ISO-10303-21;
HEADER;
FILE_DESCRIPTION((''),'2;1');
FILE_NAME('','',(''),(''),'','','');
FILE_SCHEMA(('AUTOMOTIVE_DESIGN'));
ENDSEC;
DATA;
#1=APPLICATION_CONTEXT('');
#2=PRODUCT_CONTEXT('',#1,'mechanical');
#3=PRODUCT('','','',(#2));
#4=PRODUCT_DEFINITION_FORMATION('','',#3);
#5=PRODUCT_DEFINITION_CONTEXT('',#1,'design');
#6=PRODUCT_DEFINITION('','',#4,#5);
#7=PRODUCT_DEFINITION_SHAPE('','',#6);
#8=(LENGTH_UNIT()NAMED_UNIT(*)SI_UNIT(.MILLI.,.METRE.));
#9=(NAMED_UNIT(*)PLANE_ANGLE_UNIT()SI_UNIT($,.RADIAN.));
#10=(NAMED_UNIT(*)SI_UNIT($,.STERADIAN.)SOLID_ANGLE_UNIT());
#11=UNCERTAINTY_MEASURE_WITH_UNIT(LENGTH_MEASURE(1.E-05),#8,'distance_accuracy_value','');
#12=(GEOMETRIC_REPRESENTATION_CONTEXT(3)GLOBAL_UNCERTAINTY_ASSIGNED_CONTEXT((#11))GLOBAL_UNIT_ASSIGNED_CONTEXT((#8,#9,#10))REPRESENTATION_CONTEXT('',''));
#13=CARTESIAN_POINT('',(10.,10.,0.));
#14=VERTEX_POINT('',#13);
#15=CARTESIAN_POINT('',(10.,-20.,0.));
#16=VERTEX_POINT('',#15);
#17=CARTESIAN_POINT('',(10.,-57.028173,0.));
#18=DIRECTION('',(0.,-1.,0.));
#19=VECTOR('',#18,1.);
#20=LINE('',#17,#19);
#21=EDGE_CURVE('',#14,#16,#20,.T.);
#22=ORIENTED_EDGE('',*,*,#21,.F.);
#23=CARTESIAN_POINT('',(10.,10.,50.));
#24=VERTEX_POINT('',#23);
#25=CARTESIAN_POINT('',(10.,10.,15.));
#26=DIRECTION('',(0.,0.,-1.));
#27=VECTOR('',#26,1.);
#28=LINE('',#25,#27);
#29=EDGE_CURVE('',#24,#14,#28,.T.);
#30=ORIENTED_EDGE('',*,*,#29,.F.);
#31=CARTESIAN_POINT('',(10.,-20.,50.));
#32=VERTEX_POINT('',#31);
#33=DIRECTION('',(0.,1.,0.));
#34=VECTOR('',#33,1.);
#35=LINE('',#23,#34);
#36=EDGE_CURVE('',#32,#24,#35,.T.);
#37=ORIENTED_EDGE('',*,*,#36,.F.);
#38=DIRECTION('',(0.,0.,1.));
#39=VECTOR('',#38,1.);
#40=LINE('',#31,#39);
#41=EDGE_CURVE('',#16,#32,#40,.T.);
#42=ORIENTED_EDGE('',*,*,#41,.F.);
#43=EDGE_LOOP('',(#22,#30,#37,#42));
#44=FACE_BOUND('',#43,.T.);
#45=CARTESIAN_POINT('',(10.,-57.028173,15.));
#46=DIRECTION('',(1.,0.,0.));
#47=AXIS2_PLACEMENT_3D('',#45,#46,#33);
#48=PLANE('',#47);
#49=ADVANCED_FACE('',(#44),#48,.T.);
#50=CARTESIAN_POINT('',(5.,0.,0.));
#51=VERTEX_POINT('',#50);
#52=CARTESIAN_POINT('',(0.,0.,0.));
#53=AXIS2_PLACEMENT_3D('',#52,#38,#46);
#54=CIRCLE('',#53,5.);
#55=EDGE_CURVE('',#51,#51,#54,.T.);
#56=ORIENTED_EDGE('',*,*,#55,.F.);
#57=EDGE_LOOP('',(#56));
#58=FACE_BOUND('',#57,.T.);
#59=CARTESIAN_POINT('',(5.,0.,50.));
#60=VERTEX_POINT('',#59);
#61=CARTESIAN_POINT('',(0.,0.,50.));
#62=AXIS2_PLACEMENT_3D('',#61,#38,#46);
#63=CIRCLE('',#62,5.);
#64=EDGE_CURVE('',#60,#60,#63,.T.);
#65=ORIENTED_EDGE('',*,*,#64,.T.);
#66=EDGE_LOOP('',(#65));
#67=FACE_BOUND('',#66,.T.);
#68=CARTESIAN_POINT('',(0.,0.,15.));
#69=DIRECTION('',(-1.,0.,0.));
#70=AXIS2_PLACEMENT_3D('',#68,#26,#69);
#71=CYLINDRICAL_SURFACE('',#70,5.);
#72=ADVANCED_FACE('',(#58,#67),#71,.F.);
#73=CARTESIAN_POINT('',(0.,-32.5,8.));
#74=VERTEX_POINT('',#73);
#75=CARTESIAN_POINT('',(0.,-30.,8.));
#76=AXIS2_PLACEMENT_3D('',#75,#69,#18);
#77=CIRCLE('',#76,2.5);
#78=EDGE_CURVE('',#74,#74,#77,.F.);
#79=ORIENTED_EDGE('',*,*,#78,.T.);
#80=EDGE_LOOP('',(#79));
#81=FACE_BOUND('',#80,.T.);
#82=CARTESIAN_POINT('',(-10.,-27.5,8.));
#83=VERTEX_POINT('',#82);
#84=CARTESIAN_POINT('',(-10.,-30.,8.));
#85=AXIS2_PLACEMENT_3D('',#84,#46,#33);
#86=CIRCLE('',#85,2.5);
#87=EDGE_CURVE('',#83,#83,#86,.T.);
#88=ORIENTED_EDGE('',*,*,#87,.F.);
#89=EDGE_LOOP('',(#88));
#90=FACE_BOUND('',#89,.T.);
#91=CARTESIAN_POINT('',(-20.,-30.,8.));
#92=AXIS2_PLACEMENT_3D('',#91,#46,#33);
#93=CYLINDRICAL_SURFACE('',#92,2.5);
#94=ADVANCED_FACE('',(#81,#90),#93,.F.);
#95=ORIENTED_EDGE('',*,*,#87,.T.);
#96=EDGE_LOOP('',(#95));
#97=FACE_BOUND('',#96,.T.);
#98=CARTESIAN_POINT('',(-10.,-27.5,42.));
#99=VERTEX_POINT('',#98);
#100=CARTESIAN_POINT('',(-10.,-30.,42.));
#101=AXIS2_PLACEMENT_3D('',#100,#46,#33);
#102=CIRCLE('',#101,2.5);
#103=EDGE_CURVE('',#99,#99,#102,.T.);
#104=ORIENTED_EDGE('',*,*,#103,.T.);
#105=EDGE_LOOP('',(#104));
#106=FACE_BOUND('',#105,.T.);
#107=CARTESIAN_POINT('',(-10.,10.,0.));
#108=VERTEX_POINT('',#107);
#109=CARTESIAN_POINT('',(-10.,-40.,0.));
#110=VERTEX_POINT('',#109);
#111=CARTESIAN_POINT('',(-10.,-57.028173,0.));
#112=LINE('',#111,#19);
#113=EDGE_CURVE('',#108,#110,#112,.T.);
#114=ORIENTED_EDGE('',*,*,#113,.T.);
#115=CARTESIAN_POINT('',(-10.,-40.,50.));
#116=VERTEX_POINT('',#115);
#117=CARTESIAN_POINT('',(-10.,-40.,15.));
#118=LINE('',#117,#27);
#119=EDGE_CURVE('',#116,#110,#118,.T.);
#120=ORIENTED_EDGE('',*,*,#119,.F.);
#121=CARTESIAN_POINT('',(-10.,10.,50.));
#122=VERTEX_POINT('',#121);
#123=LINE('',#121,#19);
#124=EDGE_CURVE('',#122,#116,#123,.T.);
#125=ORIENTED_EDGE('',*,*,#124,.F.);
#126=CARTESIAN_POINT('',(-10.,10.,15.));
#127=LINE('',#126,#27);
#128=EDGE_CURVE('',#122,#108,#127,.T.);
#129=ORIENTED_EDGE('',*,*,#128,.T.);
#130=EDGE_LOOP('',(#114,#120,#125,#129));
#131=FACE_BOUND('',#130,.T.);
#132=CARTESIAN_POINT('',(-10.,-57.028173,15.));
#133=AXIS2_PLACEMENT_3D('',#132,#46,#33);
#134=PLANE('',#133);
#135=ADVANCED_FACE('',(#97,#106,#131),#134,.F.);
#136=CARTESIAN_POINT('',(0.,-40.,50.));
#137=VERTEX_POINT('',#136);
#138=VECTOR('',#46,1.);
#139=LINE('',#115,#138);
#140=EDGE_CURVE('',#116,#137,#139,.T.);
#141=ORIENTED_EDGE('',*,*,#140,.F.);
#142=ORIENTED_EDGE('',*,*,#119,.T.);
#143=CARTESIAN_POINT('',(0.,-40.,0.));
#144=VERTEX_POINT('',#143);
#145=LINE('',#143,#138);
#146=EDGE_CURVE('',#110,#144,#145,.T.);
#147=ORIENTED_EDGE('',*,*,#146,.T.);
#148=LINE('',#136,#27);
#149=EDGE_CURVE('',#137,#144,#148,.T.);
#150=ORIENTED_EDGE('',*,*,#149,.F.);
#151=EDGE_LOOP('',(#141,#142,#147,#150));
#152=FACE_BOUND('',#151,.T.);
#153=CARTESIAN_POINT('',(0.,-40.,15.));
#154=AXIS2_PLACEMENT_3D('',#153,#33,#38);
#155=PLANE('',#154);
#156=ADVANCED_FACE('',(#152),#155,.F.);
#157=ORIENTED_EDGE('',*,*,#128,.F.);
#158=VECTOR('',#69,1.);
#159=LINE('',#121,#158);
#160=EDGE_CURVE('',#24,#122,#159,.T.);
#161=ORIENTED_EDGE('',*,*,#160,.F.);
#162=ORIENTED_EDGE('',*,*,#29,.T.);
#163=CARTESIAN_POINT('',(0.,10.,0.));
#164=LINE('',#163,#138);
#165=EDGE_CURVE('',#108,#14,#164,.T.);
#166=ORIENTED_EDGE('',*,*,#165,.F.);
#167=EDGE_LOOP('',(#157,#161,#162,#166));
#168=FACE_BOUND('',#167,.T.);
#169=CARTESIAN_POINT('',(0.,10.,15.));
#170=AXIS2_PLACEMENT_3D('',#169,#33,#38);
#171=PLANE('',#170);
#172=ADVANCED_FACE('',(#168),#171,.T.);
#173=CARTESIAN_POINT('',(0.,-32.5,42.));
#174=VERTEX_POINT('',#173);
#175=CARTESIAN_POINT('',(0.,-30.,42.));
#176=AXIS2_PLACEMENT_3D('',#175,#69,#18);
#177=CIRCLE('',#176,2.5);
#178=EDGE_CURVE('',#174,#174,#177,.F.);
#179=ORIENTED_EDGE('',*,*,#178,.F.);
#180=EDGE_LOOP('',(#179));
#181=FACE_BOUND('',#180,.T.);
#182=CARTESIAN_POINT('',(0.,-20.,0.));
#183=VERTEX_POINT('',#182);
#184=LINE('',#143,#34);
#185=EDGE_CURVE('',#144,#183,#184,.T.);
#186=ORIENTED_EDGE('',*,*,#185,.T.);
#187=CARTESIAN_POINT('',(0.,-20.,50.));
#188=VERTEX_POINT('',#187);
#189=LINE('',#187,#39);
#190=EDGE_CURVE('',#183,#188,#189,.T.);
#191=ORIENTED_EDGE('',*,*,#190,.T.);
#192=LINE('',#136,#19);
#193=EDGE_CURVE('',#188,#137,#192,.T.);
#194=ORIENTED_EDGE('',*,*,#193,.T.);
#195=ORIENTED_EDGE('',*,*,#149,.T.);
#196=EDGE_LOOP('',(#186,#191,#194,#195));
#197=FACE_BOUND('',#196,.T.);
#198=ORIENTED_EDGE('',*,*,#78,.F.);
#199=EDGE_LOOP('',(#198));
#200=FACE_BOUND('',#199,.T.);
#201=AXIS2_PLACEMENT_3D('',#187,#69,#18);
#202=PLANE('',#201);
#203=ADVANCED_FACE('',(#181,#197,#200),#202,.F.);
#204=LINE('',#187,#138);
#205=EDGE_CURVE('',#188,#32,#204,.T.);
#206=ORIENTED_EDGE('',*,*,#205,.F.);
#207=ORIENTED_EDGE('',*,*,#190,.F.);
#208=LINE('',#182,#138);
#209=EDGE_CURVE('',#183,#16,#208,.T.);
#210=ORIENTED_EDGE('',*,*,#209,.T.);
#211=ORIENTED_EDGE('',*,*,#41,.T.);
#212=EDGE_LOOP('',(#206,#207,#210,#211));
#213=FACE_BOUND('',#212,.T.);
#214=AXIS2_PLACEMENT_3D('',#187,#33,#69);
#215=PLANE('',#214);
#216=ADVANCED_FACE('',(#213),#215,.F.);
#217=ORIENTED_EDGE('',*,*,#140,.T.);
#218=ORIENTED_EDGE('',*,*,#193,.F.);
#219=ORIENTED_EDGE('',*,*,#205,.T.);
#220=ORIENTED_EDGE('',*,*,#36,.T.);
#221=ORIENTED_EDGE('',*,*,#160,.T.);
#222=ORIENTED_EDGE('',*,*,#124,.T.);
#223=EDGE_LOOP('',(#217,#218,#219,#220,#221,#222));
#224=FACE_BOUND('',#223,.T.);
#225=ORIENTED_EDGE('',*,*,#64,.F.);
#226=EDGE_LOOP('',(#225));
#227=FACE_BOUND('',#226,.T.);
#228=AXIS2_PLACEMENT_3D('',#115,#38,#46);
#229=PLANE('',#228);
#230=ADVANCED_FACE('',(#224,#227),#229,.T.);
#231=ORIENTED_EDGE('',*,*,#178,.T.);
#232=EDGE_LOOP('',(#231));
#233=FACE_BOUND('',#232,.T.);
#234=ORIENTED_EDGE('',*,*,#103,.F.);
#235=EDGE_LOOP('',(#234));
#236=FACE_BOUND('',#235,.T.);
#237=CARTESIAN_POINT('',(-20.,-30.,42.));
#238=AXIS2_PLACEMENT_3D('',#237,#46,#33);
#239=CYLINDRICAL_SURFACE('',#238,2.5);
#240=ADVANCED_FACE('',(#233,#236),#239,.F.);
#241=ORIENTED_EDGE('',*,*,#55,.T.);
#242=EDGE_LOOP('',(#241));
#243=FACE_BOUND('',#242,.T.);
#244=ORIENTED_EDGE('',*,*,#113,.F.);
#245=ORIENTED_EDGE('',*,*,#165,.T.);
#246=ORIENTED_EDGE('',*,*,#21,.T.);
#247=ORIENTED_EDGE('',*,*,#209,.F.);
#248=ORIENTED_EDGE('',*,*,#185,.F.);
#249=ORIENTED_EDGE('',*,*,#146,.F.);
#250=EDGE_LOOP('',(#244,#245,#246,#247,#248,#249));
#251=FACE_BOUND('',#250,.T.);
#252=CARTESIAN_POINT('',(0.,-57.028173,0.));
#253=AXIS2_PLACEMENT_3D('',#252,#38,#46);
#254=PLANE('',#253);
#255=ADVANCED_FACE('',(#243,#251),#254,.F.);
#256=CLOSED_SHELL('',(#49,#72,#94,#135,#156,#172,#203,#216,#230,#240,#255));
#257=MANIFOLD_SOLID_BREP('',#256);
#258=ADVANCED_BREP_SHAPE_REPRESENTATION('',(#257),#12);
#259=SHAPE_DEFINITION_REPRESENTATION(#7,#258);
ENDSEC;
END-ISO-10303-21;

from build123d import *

# Parameters (mm, degrees)
ESQUISSE1_W             = 20
ESQUISSE1_H             = 20
ESQUISSE1_R             = 5
ESQUISSE1_H_2           = 30
BOSS_EXTRU_1_DEPTH      = 15
ESQUISSE2_W             = 20
ESQUISSE2_H             = 50
ESQUISSE2_R             = 5
BOSS_EXTRU_2_DEPTH      = 35
ESQUISSE3_R             = 2.5
ENL_V_MAT_EXTRU_1_DEPTH = 30
ESQUISSE4_W             = 50
ESQUISSE4_H             = 20
ENL_V_MAT_EXTRU_2_DEPTH = 10


with BuildPart() as part:
    # Esquisse1 → Boss.-Extru.1 (new body)
    with BuildSketch(Plane.XY):
        Rectangle(ESQUISSE1_W, ESQUISSE1_H)
        Circle(ESQUISSE1_R, mode=Mode.SUBTRACT)
        with Locations((0, -25)):
            Rectangle(ESQUISSE1_W, ESQUISSE1_H_2)
    extrude(amount=BOSS_EXTRU_1_DEPTH)

    # Esquisse2 → Boss.-Extru.2 (add)
    with BuildSketch(Plane.XY.offset(15)):
        with Locations((0, -15)):
            Rectangle(ESQUISSE2_W, ESQUISSE2_H)
        Circle(ESQUISSE2_R, mode=Mode.SUBTRACT)
    extrude(amount=BOSS_EXTRU_2_DEPTH)

    # Esquisse3 → Enlèv. mat.-Extru.1 (cut)
    with BuildSketch(Plane(origin=(10, 0, 0), x_dir=(0, 0, -1), z_dir=(1, 0, 0))):
        with Locations((-42, -30)):
            Circle(ESQUISSE3_R)
        with Locations((-8, -30)):
            Circle(ESQUISSE3_R)
    extrude(amount=-ENL_V_MAT_EXTRU_1_DEPTH, mode=Mode.SUBTRACT)

    # Esquisse4 → Enlèv. mat.-Extru.2 (cut)
    with BuildSketch(Plane(origin=(10, 0, 0), x_dir=(0, 0, -1), z_dir=(1, 0, 0))):
        with Locations((-25, -30)):
            Rectangle(ESQUISSE4_W, ESQUISSE4_H)
    extrude(amount=-ENL_V_MAT_EXTRU_2_DEPTH, mode=Mode.SUBTRACT)


solid = part.part
